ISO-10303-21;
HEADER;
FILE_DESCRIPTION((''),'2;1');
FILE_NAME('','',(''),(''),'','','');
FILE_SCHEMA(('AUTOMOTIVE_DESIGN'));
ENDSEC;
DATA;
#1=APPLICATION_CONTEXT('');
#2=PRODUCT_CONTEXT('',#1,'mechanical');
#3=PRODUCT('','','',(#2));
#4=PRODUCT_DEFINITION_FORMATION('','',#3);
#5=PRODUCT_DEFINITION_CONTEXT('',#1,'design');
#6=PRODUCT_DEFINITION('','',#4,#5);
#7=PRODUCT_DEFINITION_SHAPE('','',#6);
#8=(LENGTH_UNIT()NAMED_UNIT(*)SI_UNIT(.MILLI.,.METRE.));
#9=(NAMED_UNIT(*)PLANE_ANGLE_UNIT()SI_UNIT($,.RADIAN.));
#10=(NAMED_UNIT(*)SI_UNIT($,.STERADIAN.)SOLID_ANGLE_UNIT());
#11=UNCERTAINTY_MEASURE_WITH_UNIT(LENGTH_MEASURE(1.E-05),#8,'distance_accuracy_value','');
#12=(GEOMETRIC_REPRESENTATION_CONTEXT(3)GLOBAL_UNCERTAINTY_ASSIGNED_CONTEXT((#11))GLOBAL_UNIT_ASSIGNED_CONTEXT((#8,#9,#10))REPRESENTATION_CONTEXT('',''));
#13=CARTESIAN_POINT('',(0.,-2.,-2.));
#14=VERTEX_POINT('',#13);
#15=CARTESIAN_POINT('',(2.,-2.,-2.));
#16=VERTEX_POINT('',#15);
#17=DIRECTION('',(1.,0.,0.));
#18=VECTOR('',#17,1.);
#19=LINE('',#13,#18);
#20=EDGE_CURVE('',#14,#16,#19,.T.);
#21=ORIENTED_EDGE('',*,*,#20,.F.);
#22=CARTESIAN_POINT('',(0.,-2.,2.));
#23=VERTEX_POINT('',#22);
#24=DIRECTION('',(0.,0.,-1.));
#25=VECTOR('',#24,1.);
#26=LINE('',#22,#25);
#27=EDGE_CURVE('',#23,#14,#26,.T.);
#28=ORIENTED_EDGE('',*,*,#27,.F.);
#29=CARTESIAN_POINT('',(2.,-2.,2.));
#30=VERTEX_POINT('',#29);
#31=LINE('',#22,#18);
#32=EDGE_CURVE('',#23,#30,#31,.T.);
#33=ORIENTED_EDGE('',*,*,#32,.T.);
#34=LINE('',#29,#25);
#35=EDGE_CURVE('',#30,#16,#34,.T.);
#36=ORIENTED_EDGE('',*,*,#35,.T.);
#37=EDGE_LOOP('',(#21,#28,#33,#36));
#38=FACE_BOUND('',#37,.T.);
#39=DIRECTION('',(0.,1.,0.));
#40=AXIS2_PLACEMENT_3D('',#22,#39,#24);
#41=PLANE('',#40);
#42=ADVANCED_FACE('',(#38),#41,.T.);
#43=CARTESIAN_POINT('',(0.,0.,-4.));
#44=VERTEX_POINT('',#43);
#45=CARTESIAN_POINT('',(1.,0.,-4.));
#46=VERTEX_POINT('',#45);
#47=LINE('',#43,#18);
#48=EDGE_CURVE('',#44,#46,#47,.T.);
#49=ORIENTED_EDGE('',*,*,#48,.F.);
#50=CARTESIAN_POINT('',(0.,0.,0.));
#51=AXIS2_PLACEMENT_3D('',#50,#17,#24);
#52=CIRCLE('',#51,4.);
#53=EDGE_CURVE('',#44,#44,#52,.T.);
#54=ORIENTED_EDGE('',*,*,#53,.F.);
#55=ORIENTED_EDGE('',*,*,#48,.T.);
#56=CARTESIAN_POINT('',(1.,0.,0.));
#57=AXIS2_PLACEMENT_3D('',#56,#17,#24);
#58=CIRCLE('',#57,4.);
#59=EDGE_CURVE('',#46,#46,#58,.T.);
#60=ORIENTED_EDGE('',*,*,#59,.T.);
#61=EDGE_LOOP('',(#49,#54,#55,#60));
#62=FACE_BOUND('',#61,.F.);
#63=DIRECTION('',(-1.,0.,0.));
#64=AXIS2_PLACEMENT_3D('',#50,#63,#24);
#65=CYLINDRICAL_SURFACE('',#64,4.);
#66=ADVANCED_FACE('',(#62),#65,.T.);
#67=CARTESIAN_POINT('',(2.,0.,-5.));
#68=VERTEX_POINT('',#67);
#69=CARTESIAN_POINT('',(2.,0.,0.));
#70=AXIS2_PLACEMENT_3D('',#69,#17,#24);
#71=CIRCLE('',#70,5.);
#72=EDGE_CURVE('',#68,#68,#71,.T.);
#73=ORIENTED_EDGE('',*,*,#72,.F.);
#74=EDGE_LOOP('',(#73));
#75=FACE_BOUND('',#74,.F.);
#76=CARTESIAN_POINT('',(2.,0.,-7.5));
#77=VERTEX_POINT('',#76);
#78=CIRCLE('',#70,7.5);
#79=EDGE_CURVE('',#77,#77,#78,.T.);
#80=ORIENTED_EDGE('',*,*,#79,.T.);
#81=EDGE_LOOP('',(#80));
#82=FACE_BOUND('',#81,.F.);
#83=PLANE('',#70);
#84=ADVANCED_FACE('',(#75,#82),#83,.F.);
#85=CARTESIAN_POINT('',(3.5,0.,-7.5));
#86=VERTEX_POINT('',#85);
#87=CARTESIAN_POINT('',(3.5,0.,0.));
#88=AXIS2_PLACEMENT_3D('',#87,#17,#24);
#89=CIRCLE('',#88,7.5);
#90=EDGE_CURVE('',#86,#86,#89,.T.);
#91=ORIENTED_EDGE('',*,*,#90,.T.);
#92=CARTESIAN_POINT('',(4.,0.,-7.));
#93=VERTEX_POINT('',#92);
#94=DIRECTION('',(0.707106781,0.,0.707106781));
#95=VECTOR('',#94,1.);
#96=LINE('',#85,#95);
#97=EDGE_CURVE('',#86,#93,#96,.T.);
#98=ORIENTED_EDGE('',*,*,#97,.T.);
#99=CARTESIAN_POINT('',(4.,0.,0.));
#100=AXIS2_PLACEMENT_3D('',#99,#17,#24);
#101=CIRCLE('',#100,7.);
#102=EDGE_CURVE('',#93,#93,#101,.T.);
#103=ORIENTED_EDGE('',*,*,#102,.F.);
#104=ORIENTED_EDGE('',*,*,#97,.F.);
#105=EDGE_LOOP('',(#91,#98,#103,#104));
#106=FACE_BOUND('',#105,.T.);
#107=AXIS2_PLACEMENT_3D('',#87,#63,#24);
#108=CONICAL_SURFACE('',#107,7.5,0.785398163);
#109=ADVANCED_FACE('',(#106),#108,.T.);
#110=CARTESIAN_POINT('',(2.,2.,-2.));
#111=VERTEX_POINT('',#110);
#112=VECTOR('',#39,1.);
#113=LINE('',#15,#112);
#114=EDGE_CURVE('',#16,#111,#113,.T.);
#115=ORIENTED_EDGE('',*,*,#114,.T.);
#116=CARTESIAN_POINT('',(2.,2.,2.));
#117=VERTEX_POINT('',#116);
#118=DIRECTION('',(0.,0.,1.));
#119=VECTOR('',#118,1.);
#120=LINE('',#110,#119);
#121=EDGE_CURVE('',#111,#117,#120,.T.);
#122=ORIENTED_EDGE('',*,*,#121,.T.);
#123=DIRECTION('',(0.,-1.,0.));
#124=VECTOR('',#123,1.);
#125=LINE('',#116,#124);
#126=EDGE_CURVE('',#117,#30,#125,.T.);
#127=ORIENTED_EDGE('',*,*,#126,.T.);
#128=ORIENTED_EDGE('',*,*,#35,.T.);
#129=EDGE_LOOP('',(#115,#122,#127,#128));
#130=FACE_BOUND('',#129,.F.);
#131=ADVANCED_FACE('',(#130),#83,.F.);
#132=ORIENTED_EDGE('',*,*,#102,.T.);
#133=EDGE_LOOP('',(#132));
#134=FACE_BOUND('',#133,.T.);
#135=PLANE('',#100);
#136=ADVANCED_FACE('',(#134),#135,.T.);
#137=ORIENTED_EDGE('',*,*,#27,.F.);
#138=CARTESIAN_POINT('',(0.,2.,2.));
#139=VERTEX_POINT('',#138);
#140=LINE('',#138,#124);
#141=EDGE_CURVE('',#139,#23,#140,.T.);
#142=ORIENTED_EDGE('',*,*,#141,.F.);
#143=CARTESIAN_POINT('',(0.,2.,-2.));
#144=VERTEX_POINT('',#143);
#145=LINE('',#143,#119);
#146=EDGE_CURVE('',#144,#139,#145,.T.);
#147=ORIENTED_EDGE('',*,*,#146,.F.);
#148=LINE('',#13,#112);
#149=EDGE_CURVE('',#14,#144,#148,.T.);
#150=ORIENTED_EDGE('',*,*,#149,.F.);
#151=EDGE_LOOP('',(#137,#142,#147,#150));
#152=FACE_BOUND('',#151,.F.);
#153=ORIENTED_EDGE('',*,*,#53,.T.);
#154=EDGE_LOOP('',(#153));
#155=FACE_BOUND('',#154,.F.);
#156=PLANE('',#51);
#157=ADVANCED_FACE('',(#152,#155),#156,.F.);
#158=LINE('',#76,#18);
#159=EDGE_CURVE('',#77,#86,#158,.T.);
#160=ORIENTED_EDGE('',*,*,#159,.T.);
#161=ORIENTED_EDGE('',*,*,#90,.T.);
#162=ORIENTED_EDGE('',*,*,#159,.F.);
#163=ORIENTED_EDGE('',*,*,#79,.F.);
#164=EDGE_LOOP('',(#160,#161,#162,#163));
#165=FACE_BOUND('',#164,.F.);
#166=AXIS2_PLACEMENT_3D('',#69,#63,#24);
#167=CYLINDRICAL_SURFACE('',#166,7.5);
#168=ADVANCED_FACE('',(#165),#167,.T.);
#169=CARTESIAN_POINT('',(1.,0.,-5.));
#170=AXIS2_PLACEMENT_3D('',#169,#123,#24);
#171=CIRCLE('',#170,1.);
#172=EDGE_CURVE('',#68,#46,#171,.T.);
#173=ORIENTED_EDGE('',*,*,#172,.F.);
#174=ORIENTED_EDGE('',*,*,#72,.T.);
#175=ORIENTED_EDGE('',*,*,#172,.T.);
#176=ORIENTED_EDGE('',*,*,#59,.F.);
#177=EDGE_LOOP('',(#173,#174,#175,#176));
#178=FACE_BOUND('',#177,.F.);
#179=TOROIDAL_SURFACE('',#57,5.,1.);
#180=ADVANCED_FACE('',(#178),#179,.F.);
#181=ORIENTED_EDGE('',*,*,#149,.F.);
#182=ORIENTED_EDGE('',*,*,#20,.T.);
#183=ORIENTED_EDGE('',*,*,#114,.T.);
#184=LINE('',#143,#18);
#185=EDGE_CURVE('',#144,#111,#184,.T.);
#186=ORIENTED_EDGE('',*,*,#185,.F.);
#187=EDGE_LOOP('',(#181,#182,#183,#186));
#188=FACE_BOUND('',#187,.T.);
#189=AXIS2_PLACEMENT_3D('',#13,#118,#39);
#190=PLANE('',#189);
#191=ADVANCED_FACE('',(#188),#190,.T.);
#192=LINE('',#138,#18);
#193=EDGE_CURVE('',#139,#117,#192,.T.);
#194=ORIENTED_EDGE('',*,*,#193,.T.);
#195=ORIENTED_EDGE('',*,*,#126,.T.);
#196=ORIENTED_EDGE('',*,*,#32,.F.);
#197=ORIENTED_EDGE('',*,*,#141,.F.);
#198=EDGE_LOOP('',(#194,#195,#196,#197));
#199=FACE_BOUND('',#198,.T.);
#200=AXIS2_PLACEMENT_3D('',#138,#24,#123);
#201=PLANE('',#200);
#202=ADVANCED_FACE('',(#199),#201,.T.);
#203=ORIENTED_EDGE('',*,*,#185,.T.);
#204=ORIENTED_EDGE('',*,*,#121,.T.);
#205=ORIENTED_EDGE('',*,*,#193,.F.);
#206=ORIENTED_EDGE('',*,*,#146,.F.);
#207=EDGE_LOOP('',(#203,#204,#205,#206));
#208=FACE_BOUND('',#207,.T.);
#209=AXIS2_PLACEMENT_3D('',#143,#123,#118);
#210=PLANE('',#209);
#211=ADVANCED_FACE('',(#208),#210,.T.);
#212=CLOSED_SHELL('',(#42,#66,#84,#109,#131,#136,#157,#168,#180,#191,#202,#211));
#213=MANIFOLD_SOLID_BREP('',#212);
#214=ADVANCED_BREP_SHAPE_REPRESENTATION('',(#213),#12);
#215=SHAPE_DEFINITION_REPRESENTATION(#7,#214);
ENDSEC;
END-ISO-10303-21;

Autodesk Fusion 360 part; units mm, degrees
sketch "Sketch1" plane through (0, 0, 0) normal (1, 0, 0) x (0, 0, -1)
  circle A0 centre (0, 0) radius 4
  line L0 (2, 2) -> (-2, 2)
  line L1 (-2, 2) -> (-2, -2)
  line L2 (-2, -2) -> (2, -2)
  line L3 (2, -2) -> (2, 2)
  line L4 (2, 2) -> (-2, -2) construction
  line L5 (-2, 2) -> (2, -2) construction
  dimension "d1" = 8
  dimension "d2" = 4
  dimension "d3" = 4
extrude "Extrude1" add sketch "Sketch1" along normal blind 2
sketch "Sketch2" plane through (2, 0, 0) normal (1, 0, 0) x (0, 0, -1)
  line L0 (2, 2) -> (2, -2)
  line L1 (2, -2) -> (-2, -2)
  line L2 (-2, -2) -> (-2, 2)
  line L3 (-2, 2) -> (2, 2)
  circle A0 centre (0, 0) radius 4
  circle A1 centre (0, 0) radius 7.5
  dimension "d6" = 15
extrude "Extrude2" add sketch "Sketch2" along normal blind 2 contours L0 L1 L2 L3 | A0 | A1
fillet "Fillet1" radius 1 1 edges at (2, -1.4465, 3.7293)
chamfer "Chamfer1" distance 0.5 angle 45 1 edges at (4, -2.7121, 6.9925)
